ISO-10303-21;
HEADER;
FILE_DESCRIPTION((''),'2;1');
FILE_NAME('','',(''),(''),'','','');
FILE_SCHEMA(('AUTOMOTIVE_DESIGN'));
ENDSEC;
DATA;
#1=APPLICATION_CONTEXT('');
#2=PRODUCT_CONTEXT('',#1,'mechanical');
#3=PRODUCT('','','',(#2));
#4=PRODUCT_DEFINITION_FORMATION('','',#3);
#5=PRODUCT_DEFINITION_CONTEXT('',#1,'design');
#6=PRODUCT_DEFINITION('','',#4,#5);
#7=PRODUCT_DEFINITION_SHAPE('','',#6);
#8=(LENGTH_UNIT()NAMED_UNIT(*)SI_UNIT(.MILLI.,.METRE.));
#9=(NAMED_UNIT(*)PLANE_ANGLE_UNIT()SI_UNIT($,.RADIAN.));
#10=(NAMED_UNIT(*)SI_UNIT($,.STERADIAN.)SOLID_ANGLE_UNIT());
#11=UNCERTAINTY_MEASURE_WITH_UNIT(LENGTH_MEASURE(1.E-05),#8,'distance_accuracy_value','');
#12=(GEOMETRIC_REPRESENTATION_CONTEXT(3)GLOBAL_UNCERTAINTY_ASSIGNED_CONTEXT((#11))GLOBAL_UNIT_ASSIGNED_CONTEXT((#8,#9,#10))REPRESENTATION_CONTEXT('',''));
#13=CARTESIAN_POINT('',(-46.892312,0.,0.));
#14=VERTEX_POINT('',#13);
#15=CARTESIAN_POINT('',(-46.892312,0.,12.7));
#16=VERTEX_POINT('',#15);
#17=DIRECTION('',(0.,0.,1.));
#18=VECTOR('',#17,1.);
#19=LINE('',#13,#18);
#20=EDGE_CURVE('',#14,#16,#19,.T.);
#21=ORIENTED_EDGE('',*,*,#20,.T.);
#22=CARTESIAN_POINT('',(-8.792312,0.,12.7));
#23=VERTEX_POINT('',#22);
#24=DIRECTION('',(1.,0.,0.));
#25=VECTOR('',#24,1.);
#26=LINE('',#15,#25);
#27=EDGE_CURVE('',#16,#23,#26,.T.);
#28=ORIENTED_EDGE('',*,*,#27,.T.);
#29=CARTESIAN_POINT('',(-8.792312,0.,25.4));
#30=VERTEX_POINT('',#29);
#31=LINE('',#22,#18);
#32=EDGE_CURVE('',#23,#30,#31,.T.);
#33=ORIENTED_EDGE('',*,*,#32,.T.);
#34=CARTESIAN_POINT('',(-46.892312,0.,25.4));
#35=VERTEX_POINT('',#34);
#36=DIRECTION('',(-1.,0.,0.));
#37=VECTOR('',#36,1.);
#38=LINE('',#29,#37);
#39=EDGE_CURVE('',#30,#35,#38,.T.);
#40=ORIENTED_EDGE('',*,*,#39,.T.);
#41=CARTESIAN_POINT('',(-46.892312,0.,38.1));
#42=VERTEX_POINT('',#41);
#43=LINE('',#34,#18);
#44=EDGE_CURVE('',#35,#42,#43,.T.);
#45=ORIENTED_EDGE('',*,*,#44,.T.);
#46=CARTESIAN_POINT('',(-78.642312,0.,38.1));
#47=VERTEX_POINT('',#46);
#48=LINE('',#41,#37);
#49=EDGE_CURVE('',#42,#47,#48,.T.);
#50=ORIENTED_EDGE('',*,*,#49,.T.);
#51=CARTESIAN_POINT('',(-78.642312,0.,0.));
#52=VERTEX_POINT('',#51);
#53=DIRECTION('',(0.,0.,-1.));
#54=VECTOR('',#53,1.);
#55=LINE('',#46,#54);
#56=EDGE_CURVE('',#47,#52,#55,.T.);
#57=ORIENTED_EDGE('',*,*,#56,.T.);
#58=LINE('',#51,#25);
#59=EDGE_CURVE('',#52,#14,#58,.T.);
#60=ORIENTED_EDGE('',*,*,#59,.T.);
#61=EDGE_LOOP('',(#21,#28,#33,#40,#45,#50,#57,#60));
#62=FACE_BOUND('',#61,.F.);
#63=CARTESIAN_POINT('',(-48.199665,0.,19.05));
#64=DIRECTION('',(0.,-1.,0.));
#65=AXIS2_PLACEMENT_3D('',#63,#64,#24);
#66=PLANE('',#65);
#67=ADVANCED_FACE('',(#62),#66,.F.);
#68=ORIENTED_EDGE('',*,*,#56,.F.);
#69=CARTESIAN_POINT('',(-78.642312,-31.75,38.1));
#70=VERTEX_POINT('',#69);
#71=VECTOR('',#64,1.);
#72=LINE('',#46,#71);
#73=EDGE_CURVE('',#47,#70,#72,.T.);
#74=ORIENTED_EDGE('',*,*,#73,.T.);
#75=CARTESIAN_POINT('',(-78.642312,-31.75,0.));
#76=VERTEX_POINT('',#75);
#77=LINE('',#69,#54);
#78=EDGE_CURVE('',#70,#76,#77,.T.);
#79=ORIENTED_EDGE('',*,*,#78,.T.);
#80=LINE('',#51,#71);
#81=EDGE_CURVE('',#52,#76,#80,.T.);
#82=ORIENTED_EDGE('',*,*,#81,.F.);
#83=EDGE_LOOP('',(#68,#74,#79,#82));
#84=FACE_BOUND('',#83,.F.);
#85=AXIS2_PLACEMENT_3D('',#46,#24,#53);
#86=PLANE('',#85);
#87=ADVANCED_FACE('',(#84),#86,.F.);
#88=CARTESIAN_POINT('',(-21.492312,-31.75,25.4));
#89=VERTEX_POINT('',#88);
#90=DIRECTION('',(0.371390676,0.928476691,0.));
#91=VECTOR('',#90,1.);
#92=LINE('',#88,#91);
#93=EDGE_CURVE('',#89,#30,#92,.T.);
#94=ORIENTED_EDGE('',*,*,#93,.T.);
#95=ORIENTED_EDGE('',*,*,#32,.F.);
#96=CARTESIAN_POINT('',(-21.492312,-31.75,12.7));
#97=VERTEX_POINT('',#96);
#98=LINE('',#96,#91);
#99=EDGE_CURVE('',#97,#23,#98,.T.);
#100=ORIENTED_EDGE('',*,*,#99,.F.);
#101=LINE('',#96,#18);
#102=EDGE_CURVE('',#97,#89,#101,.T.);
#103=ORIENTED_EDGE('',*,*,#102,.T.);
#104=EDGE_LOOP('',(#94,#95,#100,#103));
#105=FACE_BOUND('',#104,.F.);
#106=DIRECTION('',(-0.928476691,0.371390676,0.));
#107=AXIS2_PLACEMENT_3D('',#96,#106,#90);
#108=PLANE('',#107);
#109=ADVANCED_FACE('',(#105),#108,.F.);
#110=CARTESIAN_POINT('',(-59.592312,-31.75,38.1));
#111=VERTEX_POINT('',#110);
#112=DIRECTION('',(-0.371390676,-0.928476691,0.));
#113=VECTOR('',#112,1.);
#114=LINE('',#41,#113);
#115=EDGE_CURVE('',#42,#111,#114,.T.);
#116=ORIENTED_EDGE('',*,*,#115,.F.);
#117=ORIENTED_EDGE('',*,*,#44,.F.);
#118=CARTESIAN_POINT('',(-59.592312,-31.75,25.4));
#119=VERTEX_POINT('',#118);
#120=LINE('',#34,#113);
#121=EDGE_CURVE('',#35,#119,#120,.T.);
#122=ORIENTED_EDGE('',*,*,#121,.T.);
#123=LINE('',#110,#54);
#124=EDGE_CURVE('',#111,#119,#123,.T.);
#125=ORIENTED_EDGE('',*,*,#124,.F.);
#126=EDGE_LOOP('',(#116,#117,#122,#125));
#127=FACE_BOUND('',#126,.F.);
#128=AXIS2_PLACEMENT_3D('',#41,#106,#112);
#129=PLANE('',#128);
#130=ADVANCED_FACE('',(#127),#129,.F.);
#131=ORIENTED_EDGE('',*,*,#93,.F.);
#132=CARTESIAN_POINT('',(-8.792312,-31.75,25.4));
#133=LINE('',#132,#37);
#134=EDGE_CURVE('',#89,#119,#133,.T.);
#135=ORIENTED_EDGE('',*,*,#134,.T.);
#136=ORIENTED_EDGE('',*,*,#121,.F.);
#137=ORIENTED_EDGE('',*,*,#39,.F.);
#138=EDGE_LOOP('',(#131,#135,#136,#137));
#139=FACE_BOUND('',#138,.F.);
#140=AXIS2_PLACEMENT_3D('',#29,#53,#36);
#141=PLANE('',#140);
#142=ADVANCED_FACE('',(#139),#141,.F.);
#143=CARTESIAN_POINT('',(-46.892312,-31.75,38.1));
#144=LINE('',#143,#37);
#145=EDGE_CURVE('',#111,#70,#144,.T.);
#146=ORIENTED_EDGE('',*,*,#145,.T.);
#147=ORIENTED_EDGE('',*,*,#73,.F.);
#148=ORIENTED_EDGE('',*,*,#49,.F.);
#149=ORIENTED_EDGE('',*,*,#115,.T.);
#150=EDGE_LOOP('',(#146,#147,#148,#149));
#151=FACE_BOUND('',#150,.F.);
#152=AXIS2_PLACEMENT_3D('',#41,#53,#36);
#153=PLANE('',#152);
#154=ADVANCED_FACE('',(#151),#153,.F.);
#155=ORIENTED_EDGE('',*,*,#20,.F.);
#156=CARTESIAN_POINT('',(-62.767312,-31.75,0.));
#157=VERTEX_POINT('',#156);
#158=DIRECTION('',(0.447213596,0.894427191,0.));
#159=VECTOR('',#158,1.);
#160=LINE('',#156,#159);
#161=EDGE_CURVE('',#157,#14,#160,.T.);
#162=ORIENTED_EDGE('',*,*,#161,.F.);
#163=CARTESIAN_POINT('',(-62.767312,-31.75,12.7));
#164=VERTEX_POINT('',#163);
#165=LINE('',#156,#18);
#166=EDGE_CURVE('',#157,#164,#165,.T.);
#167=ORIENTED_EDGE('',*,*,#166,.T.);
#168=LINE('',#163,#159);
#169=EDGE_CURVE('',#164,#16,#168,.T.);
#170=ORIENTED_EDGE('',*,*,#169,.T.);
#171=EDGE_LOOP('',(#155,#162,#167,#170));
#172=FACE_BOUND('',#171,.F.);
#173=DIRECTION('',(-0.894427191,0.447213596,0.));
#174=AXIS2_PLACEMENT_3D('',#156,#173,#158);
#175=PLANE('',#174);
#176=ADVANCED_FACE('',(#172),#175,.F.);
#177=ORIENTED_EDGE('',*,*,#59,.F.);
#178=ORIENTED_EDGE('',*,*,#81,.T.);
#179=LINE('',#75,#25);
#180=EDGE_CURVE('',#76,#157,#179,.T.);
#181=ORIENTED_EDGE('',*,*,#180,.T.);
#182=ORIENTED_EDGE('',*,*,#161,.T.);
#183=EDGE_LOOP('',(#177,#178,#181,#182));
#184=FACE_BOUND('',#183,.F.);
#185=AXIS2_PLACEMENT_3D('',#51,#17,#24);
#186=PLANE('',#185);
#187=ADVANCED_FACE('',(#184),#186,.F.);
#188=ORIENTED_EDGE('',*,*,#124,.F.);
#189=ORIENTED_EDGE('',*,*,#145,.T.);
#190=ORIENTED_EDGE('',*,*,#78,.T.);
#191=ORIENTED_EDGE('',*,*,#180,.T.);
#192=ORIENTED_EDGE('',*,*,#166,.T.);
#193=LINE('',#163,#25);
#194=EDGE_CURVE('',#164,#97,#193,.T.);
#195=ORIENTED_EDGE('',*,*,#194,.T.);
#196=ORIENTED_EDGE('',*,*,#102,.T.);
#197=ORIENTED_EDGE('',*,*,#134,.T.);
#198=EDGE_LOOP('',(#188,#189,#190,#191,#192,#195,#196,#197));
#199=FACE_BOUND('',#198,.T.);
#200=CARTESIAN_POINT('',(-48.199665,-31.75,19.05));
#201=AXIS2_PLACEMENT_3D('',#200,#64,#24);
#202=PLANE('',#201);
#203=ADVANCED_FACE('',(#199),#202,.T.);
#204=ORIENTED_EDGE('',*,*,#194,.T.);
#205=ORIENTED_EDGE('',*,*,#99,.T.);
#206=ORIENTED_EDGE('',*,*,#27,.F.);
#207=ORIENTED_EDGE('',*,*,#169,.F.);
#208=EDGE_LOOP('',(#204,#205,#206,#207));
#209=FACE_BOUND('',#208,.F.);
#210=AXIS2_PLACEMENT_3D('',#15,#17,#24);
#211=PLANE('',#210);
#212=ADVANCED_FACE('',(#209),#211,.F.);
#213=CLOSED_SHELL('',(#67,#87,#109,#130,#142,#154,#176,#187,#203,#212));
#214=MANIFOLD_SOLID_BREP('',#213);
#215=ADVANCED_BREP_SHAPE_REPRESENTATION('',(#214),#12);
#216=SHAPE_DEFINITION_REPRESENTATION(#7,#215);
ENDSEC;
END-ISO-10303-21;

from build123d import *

# Parameters (mm, degrees)
F1_DEPTH = 31.75
F3_DEPTH = 12.7
F5_DEPTH = 12.7
F7_DEPTH = 12.7


with BuildPart() as f1:
    # F0 (on Front) → F1 (new body)
    with BuildSketch(Plane.XZ):
        Polygon((-78.642312, 38.1), (-78.642312, 0), (-46.892312, 0), (-46.892312, 12.7), (-8.792312, 12.7), (-8.792312, 25.4), (-46.892312, 25.4), (-46.892312, 38.1), align=None)
    extrude(amount=F1_DEPTH)

    # F2 (on face) → F3 (cut)
    with BuildSketch(Plane(origin=(0, 0, 0), x_dir=(1, 0, 0), z_dir=(0, 0, -1))):
        Polygon((-46.892312, 31.75), (-62.767312, 31.75), (-46.892312, 0), align=None)
    extrude(amount=-F3_DEPTH, mode=Mode.SUBTRACT)

    # F4 (on face) → F5 (cut)
    with BuildSketch(Plane.XY.offset(38.1)):
        Polygon((-46.892312, 0), (-59.592312, -31.75), (-46.892312, -31.75), align=None)
    extrude(amount=-F5_DEPTH, mode=Mode.SUBTRACT)

    # F6 (on face) → F7 (cut)
    with BuildSketch(Plane(origin=(0, 0, 12.7), x_dir=(1, 0, 0), z_dir=(0, 0, -1))):
        Polygon((-8.792312, 31.75), (-21.492312, 31.75), (-8.792312, 0), align=None)
    extrude(amount=-F7_DEPTH, mode=Mode.SUBTRACT)


solid = f1.part
